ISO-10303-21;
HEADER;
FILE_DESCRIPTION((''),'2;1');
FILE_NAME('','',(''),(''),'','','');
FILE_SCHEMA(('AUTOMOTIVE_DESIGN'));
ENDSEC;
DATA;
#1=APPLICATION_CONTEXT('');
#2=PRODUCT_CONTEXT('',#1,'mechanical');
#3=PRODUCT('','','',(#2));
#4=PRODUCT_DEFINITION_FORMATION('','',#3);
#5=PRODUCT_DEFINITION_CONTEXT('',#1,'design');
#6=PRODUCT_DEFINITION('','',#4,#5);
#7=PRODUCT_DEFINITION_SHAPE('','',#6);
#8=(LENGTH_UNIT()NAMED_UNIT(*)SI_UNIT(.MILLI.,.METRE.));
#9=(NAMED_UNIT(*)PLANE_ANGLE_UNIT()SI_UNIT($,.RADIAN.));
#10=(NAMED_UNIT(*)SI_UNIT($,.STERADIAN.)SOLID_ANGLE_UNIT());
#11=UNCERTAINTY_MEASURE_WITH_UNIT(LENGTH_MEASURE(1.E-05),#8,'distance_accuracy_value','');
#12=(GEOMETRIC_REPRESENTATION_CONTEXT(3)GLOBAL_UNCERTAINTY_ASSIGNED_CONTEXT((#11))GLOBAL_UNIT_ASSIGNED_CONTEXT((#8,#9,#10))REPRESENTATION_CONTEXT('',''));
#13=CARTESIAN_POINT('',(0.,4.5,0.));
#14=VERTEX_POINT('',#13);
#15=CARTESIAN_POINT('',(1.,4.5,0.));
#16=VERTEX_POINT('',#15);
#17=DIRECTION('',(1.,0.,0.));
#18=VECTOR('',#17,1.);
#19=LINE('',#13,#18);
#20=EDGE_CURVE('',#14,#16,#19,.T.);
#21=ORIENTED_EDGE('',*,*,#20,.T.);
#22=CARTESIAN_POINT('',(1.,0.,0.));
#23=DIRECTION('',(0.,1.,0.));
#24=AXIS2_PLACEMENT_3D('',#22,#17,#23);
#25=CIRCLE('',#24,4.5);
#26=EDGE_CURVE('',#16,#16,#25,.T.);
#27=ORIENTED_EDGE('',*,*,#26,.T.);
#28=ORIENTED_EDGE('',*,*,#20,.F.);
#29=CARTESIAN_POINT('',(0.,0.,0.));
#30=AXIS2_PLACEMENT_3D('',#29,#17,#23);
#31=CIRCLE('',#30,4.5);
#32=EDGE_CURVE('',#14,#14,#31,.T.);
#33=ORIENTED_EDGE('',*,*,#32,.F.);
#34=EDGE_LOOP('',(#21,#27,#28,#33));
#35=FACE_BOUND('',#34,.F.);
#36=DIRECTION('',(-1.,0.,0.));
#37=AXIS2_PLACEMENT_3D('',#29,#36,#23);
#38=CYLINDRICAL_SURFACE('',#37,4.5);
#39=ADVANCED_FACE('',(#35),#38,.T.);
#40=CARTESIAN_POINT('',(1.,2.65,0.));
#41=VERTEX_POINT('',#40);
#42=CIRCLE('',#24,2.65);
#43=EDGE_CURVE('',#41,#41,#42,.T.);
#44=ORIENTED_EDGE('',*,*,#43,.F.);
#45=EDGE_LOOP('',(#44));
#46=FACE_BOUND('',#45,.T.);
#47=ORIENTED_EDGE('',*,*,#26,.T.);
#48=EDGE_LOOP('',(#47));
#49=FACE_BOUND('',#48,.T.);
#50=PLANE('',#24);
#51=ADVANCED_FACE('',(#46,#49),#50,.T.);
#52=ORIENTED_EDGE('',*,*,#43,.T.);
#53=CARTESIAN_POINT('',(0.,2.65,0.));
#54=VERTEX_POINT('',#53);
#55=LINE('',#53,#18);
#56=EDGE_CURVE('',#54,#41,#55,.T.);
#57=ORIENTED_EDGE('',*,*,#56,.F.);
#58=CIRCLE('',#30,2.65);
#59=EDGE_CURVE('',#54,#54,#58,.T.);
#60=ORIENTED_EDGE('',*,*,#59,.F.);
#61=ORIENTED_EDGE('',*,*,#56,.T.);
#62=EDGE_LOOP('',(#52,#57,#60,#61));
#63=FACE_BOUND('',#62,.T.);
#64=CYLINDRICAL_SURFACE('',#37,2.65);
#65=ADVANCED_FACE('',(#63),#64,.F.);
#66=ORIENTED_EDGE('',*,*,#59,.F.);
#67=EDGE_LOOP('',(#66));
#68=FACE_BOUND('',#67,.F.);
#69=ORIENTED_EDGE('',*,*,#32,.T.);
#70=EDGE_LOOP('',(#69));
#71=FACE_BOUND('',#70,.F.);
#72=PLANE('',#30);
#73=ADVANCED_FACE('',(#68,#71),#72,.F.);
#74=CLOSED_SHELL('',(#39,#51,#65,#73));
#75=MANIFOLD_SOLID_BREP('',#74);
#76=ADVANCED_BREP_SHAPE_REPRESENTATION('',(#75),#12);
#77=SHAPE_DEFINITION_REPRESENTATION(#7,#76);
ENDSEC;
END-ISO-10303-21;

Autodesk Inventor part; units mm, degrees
ref_plane "YZ Plane" through (0, 0, 0) normal (1, 0, 0) x (0, 1, 0)
ref_plane "XZ Plane" through (0, 0, 0) normal (0, 1, 0) x (-1, 0, 0)
sketch "Szkic" plane through (0, 0, 0) normal (1, 0, 0) x (0, 1, 0)
  circle A0 centre (0, 0) radius 4.5
  circle A1 centre (0, 0) radius 2.65
  dimension "d0" = 5.3
  dimension "d1" = 9
extrude "Bryła" add sketch "Szkic" along normal blind 1
ref_plane "Work Plane1" through (0, 0, 0) normal (0, 0, 1) x (1, 0, 0)
equation "\"d0\" = SD1"
equation "\"d1\" = SD2"
equation "\"d2\" = SD"
equation "\"SD1\" = 5.3"
equation "\"SD2\" = 9"
equation "\"SD\" = 1"
equation "\"NND\" = 5"
properties part number "DIN 433 - 5,3" material "Stal, miękka"
